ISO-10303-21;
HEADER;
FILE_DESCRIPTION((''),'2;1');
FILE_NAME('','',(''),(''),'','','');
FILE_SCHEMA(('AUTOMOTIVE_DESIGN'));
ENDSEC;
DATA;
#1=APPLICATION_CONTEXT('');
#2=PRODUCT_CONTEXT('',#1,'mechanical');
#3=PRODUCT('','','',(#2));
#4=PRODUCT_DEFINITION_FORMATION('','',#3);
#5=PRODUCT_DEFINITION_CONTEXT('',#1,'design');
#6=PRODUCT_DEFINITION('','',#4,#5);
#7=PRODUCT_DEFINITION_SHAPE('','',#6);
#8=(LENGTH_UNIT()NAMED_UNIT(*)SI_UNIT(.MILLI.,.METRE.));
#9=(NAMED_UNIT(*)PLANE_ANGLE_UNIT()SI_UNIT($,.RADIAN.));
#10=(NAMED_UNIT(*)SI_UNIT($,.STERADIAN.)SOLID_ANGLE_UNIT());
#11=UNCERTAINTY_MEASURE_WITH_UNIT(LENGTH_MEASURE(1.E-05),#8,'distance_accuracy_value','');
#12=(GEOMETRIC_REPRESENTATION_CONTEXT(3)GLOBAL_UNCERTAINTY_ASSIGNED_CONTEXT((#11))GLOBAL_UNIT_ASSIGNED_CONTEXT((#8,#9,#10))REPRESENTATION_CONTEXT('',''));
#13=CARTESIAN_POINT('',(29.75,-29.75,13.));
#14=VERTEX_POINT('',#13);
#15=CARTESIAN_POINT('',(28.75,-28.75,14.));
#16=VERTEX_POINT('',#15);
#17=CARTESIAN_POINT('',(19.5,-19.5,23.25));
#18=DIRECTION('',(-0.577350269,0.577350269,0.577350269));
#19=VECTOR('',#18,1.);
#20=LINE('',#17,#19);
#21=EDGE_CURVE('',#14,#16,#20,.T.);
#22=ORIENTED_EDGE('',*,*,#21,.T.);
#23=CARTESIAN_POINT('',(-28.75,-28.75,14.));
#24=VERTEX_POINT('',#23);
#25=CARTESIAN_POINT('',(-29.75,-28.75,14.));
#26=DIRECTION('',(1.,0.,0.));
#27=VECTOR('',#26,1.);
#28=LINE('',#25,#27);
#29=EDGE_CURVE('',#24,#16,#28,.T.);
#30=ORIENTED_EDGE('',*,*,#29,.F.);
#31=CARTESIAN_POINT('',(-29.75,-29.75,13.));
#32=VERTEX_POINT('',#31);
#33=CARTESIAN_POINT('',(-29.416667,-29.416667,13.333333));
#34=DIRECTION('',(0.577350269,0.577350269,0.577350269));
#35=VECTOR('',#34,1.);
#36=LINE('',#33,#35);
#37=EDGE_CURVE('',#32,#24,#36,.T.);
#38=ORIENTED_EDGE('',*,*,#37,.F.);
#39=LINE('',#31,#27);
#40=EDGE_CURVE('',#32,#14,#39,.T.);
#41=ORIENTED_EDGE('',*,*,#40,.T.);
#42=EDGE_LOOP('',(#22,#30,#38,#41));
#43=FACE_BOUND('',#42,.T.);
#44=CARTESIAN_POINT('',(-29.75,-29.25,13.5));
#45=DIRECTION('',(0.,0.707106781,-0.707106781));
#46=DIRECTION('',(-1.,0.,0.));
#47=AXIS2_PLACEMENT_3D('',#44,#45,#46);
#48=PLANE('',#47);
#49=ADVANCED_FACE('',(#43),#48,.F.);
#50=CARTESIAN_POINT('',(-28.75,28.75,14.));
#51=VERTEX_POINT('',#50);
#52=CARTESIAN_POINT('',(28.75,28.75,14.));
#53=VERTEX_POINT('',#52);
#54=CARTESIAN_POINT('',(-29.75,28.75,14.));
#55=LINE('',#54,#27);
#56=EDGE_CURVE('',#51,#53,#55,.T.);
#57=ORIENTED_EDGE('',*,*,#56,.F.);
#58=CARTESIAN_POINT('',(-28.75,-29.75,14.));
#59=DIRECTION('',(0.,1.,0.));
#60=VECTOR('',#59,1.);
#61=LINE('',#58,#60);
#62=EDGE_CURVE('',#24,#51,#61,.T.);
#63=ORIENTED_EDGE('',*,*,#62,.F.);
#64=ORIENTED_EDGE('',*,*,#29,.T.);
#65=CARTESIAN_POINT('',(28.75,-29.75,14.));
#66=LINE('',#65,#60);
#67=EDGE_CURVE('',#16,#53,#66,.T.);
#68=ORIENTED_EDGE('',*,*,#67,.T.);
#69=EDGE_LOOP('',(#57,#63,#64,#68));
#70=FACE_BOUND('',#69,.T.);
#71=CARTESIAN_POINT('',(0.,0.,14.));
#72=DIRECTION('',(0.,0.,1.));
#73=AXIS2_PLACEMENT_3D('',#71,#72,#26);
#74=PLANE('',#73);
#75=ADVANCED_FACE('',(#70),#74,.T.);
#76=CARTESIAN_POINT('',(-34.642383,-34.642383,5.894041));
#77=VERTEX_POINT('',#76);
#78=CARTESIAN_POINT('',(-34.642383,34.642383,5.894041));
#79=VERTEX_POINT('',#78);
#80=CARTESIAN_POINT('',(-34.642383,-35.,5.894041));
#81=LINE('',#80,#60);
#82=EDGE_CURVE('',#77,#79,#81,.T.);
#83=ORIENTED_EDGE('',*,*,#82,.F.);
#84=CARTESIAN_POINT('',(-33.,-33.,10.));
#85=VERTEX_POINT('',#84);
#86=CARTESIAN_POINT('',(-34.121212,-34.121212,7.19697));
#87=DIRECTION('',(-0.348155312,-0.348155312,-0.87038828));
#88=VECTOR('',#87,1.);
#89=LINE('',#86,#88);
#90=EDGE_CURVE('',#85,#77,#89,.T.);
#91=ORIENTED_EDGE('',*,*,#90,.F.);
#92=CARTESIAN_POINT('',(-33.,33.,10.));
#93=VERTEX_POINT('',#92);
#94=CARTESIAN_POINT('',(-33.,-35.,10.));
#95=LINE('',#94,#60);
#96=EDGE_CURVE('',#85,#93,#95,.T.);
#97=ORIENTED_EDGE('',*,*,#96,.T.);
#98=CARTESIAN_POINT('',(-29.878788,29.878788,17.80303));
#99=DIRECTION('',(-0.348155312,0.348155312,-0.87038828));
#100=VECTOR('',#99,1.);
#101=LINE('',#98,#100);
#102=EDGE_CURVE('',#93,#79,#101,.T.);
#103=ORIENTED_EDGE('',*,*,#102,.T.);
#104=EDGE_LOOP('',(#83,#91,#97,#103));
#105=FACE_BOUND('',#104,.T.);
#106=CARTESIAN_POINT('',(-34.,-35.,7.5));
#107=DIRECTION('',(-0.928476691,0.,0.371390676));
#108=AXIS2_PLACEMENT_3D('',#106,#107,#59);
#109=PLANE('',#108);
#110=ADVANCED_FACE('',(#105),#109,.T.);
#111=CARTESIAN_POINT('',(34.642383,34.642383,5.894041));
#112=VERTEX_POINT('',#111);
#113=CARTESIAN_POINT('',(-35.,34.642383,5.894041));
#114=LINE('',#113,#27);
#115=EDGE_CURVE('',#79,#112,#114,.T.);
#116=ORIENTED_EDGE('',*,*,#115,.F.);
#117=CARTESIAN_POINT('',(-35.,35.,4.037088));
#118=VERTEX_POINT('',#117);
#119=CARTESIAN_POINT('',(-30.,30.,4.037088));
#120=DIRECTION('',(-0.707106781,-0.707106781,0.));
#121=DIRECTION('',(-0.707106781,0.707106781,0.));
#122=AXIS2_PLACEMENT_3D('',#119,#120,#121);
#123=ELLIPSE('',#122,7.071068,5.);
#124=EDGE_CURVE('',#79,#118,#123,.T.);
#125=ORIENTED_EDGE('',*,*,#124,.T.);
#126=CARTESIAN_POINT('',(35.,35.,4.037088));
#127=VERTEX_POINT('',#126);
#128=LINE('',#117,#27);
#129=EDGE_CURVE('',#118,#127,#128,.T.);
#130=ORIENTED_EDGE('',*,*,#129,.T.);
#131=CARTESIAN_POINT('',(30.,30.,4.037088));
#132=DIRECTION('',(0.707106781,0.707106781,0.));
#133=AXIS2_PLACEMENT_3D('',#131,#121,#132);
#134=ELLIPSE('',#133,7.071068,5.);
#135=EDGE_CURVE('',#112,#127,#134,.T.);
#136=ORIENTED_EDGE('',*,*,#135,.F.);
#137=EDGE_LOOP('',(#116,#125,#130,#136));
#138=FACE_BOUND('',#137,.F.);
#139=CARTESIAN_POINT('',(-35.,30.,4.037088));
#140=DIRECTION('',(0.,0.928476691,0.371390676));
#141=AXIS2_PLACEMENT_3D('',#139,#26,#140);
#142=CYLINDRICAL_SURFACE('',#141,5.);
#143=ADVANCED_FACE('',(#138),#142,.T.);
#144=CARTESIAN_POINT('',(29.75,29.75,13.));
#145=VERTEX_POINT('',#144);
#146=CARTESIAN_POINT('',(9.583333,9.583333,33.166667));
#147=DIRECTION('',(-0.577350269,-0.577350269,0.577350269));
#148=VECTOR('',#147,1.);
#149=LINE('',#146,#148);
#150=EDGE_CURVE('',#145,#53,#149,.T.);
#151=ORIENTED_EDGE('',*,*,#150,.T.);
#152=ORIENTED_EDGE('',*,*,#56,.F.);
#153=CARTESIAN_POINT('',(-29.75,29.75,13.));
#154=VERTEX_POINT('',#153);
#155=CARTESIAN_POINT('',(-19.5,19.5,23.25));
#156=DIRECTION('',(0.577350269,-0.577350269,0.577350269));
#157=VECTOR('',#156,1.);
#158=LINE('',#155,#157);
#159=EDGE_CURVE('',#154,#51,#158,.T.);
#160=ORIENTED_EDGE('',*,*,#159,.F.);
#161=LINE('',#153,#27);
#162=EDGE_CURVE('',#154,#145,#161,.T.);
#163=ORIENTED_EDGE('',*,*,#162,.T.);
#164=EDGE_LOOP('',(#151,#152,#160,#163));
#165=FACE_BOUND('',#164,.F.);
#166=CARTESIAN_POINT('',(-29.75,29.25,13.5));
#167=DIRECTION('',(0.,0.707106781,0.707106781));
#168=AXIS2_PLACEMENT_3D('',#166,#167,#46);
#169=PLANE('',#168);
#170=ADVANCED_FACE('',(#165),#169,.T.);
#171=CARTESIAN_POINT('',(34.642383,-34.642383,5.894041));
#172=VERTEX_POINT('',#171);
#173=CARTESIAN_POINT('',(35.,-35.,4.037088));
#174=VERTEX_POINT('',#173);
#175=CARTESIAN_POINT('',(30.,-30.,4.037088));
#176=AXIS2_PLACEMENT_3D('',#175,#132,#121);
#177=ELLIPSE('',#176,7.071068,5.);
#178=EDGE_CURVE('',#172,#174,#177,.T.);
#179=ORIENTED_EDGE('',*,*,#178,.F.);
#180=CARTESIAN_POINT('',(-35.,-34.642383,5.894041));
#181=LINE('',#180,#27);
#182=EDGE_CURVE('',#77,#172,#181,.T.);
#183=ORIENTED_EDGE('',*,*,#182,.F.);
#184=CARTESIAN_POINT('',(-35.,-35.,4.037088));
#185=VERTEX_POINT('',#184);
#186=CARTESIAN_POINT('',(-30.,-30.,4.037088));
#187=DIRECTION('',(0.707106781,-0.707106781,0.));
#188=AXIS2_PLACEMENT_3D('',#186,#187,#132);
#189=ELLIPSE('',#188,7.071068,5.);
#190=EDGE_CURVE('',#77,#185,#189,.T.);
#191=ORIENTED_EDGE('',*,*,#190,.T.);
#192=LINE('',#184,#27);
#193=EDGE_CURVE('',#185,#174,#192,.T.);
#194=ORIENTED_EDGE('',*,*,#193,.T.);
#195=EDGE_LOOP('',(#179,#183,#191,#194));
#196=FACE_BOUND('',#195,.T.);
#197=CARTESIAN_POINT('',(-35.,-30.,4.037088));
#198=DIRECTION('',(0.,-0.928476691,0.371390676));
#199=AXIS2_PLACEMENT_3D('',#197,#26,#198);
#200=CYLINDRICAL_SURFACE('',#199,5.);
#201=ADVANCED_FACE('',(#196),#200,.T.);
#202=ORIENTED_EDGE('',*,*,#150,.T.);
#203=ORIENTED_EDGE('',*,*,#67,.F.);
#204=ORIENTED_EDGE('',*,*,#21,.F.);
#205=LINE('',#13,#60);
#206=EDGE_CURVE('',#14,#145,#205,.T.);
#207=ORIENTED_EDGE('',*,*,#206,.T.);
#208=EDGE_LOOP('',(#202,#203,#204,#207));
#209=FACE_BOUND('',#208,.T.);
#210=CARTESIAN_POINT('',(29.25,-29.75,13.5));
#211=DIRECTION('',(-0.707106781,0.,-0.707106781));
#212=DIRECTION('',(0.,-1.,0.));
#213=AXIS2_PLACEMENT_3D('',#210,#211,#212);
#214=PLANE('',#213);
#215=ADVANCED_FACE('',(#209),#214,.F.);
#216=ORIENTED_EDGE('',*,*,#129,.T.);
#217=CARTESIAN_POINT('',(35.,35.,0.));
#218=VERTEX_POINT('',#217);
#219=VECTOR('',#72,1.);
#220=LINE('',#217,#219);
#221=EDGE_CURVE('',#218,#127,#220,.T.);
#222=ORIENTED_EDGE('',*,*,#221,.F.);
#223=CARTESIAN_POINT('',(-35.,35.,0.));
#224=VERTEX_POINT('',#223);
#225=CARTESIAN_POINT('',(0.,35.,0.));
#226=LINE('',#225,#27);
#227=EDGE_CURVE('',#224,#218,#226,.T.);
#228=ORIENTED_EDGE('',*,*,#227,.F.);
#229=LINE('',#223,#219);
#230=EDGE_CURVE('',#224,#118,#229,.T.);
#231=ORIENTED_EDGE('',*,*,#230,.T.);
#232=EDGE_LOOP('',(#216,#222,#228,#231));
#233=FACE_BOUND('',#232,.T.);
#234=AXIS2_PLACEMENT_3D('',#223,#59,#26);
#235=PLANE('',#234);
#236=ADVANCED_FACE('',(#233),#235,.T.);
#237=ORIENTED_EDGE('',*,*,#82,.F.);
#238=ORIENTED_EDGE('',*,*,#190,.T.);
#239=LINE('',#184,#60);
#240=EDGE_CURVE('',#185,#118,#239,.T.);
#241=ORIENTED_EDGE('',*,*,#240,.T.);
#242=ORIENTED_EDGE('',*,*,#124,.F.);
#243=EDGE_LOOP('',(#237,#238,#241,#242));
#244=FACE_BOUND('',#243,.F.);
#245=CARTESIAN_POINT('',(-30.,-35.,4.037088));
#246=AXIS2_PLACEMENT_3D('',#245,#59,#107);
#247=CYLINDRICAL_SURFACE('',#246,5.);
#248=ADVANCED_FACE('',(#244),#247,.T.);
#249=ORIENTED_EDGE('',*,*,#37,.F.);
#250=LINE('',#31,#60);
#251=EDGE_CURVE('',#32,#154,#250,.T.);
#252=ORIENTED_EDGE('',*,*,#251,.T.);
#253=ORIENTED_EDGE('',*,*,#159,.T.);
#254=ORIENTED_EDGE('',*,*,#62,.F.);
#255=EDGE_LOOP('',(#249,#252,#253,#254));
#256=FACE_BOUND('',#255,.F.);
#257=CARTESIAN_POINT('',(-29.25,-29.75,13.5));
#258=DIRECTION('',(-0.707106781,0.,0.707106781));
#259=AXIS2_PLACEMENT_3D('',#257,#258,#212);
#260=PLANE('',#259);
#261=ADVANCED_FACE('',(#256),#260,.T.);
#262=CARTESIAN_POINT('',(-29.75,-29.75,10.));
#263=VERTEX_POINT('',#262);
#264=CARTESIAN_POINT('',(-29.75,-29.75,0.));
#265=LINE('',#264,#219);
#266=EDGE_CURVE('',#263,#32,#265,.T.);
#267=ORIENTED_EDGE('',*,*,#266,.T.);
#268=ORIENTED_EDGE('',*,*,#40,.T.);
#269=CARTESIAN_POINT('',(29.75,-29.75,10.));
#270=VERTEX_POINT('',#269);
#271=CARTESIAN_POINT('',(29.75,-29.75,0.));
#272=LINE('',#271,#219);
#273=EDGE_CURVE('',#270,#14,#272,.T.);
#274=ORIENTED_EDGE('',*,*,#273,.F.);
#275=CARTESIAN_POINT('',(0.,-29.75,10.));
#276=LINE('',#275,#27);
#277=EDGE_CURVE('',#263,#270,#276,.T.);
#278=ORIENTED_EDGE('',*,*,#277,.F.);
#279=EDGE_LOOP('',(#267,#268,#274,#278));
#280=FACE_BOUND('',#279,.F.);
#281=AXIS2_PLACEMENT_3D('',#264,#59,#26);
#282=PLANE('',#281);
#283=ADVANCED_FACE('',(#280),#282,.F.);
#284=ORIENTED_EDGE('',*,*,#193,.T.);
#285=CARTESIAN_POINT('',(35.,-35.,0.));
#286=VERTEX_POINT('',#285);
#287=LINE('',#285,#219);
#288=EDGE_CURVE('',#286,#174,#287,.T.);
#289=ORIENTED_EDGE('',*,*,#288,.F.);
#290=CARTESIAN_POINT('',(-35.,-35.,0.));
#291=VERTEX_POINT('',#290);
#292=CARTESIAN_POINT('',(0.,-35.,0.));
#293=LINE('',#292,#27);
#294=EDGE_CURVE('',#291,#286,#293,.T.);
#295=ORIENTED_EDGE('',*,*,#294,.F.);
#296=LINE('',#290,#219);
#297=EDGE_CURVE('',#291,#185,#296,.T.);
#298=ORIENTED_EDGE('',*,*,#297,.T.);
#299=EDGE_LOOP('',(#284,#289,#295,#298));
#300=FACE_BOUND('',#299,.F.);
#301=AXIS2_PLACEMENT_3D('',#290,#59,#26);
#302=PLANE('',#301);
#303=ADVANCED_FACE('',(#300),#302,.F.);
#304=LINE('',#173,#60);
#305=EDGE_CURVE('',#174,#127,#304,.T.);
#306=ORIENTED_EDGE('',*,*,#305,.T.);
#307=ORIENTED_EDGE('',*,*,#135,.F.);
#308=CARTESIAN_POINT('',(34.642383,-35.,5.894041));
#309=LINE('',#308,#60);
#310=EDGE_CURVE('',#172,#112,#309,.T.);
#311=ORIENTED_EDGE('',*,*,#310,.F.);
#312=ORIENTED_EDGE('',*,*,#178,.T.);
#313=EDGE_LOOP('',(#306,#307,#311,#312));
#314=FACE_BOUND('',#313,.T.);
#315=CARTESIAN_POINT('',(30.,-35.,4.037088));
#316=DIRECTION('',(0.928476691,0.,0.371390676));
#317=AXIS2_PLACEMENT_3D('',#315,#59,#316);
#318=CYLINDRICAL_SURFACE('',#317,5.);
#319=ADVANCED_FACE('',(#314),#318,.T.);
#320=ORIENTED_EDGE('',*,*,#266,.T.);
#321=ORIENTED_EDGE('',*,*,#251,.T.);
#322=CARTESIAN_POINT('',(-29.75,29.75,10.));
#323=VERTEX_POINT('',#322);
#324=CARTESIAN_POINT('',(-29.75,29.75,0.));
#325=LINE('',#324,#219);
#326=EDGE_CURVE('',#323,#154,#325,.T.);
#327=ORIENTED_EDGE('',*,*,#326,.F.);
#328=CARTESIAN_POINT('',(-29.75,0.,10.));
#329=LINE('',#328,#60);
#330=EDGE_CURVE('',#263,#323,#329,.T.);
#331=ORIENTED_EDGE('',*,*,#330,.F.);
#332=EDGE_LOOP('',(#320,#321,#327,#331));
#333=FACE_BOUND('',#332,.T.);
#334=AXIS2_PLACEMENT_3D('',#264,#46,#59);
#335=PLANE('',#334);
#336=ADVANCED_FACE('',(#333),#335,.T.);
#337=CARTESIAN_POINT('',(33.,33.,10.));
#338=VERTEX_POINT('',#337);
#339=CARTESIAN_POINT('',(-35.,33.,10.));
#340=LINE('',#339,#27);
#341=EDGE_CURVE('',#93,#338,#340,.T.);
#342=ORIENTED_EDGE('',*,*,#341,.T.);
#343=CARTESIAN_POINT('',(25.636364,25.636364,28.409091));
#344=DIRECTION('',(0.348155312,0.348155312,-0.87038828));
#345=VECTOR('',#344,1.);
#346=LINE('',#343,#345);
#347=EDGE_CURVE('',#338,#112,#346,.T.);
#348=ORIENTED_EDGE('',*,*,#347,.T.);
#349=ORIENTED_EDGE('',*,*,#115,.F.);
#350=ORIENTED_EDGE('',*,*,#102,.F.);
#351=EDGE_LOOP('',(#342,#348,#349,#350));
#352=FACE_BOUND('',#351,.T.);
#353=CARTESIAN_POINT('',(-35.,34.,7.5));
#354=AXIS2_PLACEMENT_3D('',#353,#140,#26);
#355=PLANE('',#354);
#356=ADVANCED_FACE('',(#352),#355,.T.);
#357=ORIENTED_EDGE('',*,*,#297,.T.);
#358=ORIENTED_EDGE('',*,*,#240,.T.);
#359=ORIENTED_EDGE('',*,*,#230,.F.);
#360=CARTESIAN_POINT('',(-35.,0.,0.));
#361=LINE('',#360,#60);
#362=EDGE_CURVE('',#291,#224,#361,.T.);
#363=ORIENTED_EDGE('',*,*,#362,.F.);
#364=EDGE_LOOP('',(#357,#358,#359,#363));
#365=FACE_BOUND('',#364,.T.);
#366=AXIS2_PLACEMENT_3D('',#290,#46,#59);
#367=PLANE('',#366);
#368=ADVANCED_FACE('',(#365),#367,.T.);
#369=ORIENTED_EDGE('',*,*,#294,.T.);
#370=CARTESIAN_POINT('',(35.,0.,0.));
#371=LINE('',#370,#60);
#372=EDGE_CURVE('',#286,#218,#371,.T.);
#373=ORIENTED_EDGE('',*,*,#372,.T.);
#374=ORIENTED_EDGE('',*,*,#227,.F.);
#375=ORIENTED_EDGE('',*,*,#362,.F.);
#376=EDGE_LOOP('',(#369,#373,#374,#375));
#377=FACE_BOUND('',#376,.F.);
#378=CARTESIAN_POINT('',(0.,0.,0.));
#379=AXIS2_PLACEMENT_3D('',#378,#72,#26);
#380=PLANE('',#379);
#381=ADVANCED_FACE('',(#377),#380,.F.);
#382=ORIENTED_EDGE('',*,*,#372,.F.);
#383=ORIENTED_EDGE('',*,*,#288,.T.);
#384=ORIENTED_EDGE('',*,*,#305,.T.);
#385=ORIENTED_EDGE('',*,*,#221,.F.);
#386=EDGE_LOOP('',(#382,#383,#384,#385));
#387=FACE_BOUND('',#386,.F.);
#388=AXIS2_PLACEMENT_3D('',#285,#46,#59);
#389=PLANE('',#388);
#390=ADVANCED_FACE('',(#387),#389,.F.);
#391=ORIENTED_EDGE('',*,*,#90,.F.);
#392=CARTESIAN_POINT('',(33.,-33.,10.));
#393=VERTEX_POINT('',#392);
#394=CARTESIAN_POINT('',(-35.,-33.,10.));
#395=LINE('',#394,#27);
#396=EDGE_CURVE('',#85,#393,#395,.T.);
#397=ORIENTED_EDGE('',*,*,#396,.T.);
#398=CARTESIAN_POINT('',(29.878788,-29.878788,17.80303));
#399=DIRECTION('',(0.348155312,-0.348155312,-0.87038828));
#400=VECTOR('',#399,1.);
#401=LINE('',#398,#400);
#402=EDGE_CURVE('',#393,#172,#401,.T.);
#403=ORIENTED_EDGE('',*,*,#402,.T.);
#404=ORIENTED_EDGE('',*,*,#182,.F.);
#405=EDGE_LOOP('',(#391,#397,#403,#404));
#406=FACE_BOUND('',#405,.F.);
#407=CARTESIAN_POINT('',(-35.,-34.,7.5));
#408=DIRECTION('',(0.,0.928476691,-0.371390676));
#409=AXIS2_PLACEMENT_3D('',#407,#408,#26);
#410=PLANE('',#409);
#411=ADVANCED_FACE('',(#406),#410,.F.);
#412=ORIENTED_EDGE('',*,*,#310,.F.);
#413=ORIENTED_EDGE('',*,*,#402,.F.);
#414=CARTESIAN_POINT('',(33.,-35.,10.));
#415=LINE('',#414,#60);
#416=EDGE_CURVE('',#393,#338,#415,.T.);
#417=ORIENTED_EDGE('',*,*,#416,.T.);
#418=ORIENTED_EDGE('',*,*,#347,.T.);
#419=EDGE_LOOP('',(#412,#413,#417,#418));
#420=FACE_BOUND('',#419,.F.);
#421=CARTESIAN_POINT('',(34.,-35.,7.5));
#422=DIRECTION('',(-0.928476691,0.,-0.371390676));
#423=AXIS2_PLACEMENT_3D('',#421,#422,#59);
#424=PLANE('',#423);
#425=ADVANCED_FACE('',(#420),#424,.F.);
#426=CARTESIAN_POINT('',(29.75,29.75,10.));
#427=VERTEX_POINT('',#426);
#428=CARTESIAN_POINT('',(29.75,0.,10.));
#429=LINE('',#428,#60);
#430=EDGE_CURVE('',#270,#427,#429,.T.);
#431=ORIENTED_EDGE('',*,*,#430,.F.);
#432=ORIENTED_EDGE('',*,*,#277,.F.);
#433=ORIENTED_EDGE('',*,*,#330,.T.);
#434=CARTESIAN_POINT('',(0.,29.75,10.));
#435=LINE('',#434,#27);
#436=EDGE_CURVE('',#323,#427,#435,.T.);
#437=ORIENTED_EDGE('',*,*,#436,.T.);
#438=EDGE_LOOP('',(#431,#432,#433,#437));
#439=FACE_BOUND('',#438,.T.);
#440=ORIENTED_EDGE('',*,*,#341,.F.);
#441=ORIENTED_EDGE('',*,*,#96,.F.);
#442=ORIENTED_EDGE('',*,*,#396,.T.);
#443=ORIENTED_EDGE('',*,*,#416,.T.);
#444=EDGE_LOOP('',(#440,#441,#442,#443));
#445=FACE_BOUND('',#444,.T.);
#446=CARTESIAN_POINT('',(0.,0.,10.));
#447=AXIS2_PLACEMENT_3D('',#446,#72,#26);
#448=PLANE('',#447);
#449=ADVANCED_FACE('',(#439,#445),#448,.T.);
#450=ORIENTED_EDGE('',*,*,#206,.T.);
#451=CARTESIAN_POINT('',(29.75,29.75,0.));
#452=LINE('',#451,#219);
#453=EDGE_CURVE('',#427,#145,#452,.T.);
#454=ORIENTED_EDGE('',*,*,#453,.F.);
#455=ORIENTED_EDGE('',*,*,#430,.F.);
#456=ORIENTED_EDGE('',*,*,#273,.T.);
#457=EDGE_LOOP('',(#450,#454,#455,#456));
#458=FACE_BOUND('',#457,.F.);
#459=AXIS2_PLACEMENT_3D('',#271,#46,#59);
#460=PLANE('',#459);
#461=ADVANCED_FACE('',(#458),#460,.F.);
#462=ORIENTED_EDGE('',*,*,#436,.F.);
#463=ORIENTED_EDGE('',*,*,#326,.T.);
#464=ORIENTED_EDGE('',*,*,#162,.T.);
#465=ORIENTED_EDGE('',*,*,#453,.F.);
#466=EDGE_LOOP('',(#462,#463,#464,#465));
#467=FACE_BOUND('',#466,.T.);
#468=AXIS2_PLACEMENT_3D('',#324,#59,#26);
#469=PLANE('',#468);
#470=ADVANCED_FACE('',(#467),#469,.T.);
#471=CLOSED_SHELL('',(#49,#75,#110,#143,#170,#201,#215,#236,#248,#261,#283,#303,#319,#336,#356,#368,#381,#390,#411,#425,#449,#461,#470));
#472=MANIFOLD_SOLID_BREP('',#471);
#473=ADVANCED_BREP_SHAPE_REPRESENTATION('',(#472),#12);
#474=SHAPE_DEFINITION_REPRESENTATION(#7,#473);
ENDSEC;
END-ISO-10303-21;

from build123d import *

# Parameters (mm, degrees)
F0_W     = 59.5
F0_H     = 59.5
F1_DEPTH = 14
F0_W_2   = 70
F0_H_2   = 70
F2_DEPTH = 10
F3_SIZE  = 1
F4_SIZE2 = 5
F4_SIZE  = 2
F5_R     = 5


with BuildPart() as f1:
    # F0 (on Top) → F1 (new body)
    with BuildSketch(Plane.XY):
        Rectangle(F0_W, F0_H)
    extrude(amount=F1_DEPTH)

    # F0 (on Top) → F2 (join)
    with BuildSketch(Plane.XY):
        Rectangle(F0_W_2, F0_H_2)
        Rectangle(F0_W, F0_H, mode=Mode.SUBTRACT)
    extrude(amount=F2_DEPTH)

    # F3
    f3_edges = [f1.edges().sort_by_distance(p)[0] for p in [
        (0, -29.75, 14),
        (29.75, 0, 14),
        (0, 29.75, 14),
        (-29.75, 0, 14),
    ]]
    chamfer(f3_edges, length=F3_SIZE)

    # F4
    f4_edges = [f1.edges().sort_by_distance(p)[0] for p in [
        (0, -35, 10),
        (35, 0, 10),
        (0, 35, 10),
        (-35, 0, 10),
    ]]
    f4_side = f1.faces().sort_by_distance((0, -34.010051, 10))[0]
    chamfer(f4_edges, length=F4_SIZE, length2=F4_SIZE2, reference=f4_side)

    # F5
    f5_edges = [f1.edges().sort_by_distance(p)[0] for p in [
        (35, 0, 5),
        (0, -35, 5),
        (-35, 0, 5),
        (0, 35, 5),
    ]]
    fillet(f5_edges, radius=F5_R)


solid = f1.part
